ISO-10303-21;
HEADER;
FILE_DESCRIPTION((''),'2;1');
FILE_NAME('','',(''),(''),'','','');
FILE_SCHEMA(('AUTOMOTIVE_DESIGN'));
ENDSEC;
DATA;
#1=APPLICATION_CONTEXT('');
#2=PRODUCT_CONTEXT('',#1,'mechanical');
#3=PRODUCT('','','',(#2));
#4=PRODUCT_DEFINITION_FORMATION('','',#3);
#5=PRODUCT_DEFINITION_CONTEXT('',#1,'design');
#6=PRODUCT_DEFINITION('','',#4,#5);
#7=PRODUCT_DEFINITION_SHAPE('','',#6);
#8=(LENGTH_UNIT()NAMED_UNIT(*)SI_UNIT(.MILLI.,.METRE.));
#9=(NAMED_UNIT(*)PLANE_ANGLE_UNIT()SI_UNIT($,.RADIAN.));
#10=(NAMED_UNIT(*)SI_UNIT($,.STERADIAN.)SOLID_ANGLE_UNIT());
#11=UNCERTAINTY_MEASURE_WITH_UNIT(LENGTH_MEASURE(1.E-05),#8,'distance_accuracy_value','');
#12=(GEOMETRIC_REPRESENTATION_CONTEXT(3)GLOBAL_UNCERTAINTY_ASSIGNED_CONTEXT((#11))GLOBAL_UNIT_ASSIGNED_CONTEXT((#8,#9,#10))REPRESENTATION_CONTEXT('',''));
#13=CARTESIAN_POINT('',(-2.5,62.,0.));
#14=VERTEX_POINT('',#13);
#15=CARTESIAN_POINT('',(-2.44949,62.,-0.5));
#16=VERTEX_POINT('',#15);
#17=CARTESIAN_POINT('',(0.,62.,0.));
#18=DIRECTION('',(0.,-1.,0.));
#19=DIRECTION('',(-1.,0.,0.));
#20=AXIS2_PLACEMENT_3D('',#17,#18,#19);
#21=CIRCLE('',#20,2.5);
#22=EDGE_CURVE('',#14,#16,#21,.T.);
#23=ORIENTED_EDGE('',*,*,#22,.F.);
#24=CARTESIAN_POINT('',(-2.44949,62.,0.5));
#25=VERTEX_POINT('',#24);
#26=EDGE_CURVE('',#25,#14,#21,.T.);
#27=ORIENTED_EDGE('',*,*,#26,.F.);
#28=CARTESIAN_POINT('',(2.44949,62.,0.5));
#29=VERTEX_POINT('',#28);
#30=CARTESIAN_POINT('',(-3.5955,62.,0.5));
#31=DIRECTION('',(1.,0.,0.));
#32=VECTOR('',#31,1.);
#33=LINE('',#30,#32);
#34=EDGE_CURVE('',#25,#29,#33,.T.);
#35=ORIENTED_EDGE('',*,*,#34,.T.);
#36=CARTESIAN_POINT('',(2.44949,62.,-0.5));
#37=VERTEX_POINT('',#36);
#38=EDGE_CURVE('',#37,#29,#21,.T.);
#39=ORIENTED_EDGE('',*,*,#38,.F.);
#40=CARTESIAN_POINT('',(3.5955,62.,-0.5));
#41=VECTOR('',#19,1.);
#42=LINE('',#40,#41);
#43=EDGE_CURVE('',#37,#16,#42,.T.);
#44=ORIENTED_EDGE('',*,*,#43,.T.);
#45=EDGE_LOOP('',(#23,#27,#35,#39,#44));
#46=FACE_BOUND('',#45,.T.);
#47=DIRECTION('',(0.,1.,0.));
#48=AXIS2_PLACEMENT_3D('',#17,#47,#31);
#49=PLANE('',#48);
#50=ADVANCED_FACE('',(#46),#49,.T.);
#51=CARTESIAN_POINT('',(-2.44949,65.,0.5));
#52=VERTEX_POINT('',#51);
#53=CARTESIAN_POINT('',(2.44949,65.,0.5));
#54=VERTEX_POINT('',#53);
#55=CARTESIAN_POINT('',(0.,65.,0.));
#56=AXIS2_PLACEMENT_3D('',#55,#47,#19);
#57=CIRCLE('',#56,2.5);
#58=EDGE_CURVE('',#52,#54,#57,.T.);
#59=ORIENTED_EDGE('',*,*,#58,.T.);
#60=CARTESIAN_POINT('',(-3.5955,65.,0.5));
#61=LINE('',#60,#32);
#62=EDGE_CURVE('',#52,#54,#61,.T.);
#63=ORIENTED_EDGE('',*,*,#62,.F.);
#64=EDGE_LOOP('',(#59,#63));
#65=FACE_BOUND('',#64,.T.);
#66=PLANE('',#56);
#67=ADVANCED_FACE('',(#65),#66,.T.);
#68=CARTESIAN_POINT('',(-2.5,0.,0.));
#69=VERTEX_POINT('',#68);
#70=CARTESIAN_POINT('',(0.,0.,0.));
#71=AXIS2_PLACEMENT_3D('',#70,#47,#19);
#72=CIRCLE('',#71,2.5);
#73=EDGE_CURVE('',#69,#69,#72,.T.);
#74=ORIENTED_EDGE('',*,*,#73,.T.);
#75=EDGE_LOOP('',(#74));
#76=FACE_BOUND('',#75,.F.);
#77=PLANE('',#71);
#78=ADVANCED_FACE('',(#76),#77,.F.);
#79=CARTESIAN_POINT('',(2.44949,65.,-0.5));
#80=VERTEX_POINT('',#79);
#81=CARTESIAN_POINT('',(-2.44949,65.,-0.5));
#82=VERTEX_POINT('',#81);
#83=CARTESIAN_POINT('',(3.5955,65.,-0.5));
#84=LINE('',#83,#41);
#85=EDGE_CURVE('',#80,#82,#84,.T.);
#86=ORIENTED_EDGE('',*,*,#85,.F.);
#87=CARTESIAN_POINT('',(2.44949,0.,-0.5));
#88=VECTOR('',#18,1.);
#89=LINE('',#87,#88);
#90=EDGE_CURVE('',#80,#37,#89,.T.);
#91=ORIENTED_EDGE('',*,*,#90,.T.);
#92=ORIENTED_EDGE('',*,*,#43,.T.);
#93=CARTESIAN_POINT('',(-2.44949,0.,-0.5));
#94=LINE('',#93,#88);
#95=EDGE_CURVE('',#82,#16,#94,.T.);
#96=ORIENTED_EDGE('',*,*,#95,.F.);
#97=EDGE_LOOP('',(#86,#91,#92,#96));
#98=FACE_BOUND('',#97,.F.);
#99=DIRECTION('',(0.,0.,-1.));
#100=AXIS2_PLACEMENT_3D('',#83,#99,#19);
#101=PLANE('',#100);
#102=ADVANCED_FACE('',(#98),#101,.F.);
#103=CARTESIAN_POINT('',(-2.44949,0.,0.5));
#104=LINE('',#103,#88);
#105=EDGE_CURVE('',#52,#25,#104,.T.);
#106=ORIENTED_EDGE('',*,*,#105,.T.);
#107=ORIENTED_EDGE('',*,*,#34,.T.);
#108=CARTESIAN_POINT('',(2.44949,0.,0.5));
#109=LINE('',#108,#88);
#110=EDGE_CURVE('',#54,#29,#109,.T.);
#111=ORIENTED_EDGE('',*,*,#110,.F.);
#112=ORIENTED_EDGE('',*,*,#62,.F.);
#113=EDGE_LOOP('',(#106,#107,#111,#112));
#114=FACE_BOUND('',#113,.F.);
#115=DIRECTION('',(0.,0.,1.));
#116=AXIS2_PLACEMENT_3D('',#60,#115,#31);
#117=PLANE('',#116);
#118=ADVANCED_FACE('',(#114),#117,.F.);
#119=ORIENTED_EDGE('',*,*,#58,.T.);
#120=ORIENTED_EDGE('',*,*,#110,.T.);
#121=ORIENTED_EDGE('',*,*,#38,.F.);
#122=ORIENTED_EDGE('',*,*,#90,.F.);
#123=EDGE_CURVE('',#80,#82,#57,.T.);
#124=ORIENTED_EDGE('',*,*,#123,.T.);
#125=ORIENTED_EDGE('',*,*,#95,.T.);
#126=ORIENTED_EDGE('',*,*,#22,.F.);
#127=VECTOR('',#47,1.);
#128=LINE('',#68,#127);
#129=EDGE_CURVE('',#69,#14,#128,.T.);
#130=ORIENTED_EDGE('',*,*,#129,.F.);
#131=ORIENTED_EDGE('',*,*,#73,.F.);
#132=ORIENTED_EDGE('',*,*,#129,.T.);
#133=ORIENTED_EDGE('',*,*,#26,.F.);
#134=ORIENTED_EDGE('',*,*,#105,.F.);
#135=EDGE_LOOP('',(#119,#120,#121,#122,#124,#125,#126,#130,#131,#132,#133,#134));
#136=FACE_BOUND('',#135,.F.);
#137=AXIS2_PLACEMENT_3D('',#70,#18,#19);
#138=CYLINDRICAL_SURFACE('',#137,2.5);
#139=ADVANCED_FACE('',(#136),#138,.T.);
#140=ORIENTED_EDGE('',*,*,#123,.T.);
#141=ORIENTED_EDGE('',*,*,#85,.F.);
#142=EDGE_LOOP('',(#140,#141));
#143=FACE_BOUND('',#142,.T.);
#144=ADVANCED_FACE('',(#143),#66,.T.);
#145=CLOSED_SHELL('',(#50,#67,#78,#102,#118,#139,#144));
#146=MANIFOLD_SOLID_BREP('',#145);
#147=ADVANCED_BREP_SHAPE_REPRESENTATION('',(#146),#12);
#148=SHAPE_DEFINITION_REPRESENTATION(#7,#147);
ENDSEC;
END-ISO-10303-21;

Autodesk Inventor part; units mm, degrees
ref_plane "YZ Plane" through (0, 0, 0) normal (1, 0, 0) x (0, 1, 0)
ref_plane "XZ Plane" through (0, 0, 0) normal (0, 1, 0) x (-1, 0, 0)
ref_plane "XY Plane" through (0, 0, 0) normal (0, 0, 1) x (1, 0, 0)
sketch "Sketch1" plane through (0, 0, 0) normal (0, 1, 0) x (-1, 0, 0)
  circle A0 centre (0, 0) radius 2.5
  dimension "d0" = 5
extrude "Extrusion1" add sketch "Sketch1" along normal blind 65
sketch "Sketch2" plane through (0, 65, 0) normal (0, 1, 0) x (1, 0, 0)
  line L0 (3.5955, -0.5) -> (3.5955, 0.5)
  line L1 (3.5955, 0.5) -> (-3.5955, 0.5)
  line L2 (-3.5955, 0.5) -> (-3.5955, -0.5)
  line L3 (-3.5955, -0.5) -> (3.5955, -0.5)
  line L4 (3.5955, -0.5) -> (-3.5955, 0.5) construction
  line L5 (3.5955, 0.5) -> (-3.5955, -0.5) construction
  point P0 (0, 0)
  dimension "d3" = 1
extrude "Extrusion2" cut sketch "Sketch2" against normal blind 3
properties part number "Wheel Axel"
